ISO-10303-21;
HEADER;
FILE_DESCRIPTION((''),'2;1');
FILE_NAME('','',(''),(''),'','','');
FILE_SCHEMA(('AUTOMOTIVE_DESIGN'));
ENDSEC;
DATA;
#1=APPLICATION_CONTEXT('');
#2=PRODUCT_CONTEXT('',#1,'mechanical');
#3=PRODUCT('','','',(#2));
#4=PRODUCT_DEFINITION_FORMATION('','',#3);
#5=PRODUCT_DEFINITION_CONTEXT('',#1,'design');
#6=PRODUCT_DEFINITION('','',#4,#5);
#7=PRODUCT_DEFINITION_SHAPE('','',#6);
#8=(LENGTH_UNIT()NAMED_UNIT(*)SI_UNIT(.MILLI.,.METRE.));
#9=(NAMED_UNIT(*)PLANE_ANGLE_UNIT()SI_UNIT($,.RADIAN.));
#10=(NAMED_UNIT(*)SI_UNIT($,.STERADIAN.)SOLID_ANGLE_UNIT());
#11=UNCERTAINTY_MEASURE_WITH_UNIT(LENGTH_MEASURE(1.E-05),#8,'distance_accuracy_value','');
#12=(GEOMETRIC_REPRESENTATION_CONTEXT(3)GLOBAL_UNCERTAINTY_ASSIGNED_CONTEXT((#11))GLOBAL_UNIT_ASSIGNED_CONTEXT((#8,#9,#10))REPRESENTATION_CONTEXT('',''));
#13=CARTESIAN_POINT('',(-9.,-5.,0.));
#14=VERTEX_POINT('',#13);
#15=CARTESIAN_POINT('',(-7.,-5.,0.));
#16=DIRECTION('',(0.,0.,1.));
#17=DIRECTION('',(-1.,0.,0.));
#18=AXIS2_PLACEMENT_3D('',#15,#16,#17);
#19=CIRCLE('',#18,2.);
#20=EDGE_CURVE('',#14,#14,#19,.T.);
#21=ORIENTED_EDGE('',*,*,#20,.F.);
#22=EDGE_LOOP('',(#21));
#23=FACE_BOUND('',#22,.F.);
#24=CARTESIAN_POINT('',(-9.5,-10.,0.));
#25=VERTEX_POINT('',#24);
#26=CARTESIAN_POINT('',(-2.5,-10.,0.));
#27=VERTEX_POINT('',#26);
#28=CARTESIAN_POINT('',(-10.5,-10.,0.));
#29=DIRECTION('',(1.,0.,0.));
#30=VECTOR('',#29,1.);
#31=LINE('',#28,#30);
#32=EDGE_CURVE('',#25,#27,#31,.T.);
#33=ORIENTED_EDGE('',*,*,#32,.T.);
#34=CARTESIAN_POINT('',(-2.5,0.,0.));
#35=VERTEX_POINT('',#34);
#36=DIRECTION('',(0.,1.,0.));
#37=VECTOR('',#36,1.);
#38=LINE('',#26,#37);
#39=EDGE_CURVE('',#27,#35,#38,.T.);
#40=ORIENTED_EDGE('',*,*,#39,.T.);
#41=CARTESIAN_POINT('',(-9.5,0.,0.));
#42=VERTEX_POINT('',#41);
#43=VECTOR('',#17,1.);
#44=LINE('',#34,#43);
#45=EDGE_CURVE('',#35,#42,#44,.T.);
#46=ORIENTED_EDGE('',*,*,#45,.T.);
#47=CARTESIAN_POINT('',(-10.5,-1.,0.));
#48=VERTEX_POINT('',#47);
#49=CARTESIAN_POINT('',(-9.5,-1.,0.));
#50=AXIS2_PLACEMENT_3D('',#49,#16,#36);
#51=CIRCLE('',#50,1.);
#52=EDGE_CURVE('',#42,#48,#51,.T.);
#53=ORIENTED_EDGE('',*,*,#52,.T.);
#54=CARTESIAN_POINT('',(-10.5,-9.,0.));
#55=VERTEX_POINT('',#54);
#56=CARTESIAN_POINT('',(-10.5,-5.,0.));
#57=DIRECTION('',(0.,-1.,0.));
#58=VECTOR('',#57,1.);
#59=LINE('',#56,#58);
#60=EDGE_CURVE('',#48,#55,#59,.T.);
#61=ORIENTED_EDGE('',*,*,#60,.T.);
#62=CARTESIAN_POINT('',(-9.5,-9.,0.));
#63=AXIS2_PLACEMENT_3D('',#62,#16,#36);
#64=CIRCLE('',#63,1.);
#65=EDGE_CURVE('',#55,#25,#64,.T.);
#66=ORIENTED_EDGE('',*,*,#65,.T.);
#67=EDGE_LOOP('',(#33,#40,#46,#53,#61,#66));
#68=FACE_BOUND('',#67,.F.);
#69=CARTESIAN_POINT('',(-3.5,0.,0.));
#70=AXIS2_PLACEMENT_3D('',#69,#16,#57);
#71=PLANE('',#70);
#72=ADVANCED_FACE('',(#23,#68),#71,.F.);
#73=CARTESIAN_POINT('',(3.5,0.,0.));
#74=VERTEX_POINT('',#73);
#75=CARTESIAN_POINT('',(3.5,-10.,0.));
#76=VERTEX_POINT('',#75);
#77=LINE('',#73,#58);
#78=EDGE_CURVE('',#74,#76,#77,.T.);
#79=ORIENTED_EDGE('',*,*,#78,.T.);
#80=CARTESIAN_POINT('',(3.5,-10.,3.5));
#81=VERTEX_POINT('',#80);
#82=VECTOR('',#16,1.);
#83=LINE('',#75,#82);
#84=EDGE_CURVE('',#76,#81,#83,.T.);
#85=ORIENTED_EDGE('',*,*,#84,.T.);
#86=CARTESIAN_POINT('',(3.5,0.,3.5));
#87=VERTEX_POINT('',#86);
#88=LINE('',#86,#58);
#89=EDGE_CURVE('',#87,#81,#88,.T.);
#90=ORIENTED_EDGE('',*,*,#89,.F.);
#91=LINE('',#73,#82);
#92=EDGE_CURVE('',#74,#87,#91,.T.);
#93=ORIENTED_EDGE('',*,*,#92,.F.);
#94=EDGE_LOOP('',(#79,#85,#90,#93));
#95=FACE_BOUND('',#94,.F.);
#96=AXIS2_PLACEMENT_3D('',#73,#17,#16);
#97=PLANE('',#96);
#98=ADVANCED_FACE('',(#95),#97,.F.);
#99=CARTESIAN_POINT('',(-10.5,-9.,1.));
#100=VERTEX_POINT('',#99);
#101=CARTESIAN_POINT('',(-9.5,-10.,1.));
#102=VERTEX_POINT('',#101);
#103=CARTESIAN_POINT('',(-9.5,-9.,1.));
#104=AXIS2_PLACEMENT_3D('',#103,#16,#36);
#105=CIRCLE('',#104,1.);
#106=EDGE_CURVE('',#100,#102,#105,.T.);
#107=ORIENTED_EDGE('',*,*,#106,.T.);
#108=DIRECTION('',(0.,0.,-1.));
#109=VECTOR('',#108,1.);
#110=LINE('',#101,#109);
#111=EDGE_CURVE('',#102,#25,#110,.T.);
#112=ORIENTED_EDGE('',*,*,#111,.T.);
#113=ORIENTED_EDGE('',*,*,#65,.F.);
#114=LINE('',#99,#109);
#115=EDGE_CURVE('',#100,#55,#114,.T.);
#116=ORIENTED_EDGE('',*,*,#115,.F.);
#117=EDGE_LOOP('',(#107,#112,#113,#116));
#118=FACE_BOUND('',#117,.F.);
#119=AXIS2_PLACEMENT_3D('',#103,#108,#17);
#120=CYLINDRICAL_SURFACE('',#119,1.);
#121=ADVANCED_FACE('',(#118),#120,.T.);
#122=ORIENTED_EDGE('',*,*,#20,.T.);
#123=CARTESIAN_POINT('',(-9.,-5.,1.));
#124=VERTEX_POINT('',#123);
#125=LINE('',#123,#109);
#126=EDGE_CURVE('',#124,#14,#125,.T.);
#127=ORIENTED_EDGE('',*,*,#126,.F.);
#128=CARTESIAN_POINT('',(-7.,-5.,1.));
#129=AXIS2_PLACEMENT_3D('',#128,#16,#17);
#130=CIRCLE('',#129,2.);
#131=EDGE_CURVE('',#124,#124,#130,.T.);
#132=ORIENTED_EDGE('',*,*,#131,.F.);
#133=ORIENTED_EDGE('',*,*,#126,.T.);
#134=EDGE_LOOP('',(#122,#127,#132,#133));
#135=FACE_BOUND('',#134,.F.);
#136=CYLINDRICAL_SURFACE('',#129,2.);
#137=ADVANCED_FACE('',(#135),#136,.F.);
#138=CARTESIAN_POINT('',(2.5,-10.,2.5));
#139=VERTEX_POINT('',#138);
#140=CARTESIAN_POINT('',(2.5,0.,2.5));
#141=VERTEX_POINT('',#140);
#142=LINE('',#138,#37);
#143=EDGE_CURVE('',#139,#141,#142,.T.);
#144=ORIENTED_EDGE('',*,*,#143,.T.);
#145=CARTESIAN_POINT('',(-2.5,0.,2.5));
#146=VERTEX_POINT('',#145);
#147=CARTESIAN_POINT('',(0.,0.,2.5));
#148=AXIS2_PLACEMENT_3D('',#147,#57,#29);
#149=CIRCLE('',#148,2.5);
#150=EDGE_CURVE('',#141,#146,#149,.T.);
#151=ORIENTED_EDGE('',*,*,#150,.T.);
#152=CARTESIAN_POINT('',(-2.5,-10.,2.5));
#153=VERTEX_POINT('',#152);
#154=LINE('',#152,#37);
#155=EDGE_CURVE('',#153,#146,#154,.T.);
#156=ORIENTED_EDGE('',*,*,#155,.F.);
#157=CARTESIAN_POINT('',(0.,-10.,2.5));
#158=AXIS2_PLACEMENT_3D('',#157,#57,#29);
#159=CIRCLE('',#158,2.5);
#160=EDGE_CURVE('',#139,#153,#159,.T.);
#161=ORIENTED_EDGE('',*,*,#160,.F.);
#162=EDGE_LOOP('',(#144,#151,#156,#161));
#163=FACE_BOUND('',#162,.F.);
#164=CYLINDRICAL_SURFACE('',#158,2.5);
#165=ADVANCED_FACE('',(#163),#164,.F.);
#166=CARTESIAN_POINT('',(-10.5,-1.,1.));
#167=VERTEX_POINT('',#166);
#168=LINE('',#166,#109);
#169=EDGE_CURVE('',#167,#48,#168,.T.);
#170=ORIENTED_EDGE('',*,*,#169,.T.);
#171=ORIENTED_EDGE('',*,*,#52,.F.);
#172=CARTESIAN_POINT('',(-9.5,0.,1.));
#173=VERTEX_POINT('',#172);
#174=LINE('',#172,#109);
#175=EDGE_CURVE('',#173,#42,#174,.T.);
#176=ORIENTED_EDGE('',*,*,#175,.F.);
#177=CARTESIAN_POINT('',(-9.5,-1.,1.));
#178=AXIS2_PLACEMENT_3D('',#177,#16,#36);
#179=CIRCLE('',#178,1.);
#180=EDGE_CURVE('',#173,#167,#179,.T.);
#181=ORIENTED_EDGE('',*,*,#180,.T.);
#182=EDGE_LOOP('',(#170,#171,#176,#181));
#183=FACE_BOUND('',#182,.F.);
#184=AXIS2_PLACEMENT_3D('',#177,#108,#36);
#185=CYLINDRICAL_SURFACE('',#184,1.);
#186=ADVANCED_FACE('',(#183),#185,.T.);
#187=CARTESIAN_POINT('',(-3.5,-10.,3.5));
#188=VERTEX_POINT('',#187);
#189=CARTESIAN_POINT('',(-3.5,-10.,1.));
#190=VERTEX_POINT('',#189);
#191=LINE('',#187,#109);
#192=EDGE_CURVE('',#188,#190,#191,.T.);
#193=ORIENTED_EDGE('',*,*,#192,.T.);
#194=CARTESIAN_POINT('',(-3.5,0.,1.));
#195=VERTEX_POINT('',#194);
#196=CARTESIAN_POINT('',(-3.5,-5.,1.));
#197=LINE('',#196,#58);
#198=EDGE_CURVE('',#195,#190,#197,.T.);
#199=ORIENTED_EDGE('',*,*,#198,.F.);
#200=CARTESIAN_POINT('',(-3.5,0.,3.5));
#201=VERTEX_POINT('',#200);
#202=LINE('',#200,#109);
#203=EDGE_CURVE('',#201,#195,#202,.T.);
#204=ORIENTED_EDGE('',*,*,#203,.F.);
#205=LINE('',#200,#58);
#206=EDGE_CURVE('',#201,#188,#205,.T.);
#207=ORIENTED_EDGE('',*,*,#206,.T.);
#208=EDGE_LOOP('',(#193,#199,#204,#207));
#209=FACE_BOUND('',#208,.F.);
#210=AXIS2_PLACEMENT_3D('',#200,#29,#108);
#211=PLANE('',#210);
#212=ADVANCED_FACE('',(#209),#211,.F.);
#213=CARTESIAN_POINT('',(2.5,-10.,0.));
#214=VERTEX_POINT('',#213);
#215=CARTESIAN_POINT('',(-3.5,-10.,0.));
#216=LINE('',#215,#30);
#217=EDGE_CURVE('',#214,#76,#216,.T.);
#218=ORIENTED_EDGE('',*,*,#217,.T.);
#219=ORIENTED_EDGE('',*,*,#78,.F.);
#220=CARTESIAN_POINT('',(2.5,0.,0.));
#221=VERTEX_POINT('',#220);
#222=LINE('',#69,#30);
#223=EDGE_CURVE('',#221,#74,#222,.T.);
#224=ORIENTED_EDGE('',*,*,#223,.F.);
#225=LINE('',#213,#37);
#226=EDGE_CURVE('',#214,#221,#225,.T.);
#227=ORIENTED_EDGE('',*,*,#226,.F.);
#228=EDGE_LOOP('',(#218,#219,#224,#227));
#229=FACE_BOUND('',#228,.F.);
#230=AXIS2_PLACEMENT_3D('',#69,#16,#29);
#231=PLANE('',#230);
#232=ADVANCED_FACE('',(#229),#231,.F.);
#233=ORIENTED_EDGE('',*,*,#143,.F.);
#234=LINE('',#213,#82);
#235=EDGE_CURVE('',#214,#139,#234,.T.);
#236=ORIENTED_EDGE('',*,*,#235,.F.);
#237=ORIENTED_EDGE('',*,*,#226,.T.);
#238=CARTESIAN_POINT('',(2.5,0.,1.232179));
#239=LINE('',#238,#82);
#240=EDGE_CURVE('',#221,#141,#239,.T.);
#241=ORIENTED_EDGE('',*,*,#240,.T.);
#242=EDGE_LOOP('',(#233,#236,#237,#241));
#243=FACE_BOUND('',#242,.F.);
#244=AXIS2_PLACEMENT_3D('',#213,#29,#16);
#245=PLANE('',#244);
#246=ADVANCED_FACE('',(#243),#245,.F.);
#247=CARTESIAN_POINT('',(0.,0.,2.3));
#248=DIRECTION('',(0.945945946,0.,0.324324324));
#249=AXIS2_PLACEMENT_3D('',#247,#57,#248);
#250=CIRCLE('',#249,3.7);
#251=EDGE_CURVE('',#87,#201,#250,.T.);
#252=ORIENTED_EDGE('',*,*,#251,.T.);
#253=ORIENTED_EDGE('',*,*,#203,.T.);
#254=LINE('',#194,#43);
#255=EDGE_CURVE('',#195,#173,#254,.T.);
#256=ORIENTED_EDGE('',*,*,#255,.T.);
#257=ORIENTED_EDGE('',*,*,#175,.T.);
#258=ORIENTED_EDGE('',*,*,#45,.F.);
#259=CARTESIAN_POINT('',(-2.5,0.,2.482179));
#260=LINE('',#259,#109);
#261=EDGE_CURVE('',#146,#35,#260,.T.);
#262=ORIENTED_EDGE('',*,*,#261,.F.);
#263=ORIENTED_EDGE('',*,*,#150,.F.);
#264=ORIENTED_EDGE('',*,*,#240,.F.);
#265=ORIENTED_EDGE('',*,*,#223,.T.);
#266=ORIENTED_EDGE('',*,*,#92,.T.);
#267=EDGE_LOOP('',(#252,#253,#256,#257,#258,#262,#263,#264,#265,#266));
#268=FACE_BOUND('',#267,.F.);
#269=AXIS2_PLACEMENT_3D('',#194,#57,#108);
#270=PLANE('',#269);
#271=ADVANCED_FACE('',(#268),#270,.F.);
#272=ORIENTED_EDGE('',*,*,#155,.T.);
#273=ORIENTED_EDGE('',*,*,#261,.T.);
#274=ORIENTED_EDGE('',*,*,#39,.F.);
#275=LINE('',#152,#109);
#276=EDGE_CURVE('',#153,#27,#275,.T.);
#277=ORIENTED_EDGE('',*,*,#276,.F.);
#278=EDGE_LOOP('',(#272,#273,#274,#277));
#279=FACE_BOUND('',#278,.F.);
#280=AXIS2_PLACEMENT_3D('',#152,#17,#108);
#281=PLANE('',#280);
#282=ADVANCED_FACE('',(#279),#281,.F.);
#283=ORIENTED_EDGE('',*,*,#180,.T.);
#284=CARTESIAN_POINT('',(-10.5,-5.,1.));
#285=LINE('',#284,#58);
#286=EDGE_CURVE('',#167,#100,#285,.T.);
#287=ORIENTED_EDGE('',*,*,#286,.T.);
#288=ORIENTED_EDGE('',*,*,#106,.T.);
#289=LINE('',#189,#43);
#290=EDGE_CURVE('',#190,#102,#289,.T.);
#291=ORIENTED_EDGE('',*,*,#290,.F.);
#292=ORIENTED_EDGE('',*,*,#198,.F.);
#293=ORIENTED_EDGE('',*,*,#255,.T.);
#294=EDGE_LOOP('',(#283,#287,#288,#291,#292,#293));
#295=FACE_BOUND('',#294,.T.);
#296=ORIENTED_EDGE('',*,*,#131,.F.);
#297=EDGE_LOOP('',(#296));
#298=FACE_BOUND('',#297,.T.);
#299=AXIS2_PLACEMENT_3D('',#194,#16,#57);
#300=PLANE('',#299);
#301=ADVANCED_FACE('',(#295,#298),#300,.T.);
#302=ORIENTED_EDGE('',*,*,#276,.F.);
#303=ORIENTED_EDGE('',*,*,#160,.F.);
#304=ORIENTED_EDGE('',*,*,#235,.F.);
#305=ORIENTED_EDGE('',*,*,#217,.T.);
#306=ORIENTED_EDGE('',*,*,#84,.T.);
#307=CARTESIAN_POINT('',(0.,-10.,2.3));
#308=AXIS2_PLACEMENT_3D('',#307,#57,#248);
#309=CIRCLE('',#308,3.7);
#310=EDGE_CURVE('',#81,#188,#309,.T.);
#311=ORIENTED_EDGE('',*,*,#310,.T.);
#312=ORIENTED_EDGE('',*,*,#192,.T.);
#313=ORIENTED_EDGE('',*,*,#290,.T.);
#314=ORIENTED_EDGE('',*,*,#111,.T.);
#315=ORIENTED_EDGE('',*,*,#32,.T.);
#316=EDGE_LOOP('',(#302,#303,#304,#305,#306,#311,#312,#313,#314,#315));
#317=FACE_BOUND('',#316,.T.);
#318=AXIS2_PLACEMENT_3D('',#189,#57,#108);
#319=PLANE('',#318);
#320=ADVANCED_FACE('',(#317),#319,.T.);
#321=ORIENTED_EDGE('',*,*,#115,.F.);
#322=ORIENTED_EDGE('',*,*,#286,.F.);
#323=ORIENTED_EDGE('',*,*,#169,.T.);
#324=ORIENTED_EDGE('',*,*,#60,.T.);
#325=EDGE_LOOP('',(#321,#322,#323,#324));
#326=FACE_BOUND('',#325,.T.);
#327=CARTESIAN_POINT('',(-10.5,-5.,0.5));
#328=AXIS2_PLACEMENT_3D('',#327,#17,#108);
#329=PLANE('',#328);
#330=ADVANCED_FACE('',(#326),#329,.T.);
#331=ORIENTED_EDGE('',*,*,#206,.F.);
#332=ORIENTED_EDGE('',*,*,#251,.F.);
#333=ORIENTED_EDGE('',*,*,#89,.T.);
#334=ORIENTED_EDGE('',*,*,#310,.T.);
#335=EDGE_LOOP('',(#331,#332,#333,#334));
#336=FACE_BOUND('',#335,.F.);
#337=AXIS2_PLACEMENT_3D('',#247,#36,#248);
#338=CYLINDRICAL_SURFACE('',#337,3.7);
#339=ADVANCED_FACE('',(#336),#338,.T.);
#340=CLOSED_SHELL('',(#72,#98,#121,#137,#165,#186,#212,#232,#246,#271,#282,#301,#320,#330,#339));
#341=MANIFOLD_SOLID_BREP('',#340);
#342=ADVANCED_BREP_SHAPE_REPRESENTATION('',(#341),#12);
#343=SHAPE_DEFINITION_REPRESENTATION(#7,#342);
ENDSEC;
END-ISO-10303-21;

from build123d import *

# Parameters (mm, degrees)
PAD_DEPTH       = 10
POCKET_DEPTH    = 10.001
SKETCH002_W     = 1
SKETCH002_H     = 10
PAD001_DEPTH    = 7
SKETCH003_R     = 2
POCKET001_DEPTH = 5
FILLET_R        = 1


with BuildPart() as part:
    # Sketch → Pad (new body)
    with BuildSketch(Plane.XZ):
        with BuildLine():
            ThreePointArc((3.5, 3.5), (0, 6), (-3.5, 3.5))
            Line((-3.5, 3.5), (-3.5, 0))
            Line((-3.5, 0), (3.5, 0))
            Line((3.5, 0), (3.5, 3.5))
        make_face()
    extrude(amount=PAD_DEPTH)

    # Sketch001 (on Face6 of Pad) → Pocket (cut, through all)
    with BuildSketch(Plane.XZ.offset(10)):
        with BuildLine():
            ThreePointArc((2.5, 2.5), (0, 5), (-2.5, 2.5))
            Line((-2.5, 2.5), (-2.5, 0))
            Line((-2.5, 0), (2.5, 0))
            Line((2.5, 0), (2.5, 2.5))
        make_face()
    extrude(amount=-POCKET_DEPTH, mode=Mode.SUBTRACT)

    # Sketch002 (on Face3 of Pocket) → Pad001 (join)
    with BuildSketch(Plane(origin=(-3.5, 0, 0), x_dir=(0, 0, -1), z_dir=(-1, 0, 0))):
        with Locations((-0.5, 5)):
            Rectangle(SKETCH002_W, SKETCH002_H)
    extrude(amount=PAD001_DEPTH)

    # Sketch003 (on Face7 of Pad001) → Pocket001 (cut)
    with BuildSketch(Plane(origin=(0, 0, 1), x_dir=(-1, 0, 0), z_dir=(0, 0, 1))):
        with Locations((7, 5)):
            Circle(SKETCH003_R)
    extrude(amount=-POCKET001_DEPTH, mode=Mode.SUBTRACT)

    # Fillet
    fillet_edges = [part.edges().sort_by_distance(p)[0] for p in [
        (-10.5, -10, 0.5),
        (-10.5, 0, 0.5),
    ]]
    fillet(fillet_edges, radius=FILLET_R)


solid = part.part
